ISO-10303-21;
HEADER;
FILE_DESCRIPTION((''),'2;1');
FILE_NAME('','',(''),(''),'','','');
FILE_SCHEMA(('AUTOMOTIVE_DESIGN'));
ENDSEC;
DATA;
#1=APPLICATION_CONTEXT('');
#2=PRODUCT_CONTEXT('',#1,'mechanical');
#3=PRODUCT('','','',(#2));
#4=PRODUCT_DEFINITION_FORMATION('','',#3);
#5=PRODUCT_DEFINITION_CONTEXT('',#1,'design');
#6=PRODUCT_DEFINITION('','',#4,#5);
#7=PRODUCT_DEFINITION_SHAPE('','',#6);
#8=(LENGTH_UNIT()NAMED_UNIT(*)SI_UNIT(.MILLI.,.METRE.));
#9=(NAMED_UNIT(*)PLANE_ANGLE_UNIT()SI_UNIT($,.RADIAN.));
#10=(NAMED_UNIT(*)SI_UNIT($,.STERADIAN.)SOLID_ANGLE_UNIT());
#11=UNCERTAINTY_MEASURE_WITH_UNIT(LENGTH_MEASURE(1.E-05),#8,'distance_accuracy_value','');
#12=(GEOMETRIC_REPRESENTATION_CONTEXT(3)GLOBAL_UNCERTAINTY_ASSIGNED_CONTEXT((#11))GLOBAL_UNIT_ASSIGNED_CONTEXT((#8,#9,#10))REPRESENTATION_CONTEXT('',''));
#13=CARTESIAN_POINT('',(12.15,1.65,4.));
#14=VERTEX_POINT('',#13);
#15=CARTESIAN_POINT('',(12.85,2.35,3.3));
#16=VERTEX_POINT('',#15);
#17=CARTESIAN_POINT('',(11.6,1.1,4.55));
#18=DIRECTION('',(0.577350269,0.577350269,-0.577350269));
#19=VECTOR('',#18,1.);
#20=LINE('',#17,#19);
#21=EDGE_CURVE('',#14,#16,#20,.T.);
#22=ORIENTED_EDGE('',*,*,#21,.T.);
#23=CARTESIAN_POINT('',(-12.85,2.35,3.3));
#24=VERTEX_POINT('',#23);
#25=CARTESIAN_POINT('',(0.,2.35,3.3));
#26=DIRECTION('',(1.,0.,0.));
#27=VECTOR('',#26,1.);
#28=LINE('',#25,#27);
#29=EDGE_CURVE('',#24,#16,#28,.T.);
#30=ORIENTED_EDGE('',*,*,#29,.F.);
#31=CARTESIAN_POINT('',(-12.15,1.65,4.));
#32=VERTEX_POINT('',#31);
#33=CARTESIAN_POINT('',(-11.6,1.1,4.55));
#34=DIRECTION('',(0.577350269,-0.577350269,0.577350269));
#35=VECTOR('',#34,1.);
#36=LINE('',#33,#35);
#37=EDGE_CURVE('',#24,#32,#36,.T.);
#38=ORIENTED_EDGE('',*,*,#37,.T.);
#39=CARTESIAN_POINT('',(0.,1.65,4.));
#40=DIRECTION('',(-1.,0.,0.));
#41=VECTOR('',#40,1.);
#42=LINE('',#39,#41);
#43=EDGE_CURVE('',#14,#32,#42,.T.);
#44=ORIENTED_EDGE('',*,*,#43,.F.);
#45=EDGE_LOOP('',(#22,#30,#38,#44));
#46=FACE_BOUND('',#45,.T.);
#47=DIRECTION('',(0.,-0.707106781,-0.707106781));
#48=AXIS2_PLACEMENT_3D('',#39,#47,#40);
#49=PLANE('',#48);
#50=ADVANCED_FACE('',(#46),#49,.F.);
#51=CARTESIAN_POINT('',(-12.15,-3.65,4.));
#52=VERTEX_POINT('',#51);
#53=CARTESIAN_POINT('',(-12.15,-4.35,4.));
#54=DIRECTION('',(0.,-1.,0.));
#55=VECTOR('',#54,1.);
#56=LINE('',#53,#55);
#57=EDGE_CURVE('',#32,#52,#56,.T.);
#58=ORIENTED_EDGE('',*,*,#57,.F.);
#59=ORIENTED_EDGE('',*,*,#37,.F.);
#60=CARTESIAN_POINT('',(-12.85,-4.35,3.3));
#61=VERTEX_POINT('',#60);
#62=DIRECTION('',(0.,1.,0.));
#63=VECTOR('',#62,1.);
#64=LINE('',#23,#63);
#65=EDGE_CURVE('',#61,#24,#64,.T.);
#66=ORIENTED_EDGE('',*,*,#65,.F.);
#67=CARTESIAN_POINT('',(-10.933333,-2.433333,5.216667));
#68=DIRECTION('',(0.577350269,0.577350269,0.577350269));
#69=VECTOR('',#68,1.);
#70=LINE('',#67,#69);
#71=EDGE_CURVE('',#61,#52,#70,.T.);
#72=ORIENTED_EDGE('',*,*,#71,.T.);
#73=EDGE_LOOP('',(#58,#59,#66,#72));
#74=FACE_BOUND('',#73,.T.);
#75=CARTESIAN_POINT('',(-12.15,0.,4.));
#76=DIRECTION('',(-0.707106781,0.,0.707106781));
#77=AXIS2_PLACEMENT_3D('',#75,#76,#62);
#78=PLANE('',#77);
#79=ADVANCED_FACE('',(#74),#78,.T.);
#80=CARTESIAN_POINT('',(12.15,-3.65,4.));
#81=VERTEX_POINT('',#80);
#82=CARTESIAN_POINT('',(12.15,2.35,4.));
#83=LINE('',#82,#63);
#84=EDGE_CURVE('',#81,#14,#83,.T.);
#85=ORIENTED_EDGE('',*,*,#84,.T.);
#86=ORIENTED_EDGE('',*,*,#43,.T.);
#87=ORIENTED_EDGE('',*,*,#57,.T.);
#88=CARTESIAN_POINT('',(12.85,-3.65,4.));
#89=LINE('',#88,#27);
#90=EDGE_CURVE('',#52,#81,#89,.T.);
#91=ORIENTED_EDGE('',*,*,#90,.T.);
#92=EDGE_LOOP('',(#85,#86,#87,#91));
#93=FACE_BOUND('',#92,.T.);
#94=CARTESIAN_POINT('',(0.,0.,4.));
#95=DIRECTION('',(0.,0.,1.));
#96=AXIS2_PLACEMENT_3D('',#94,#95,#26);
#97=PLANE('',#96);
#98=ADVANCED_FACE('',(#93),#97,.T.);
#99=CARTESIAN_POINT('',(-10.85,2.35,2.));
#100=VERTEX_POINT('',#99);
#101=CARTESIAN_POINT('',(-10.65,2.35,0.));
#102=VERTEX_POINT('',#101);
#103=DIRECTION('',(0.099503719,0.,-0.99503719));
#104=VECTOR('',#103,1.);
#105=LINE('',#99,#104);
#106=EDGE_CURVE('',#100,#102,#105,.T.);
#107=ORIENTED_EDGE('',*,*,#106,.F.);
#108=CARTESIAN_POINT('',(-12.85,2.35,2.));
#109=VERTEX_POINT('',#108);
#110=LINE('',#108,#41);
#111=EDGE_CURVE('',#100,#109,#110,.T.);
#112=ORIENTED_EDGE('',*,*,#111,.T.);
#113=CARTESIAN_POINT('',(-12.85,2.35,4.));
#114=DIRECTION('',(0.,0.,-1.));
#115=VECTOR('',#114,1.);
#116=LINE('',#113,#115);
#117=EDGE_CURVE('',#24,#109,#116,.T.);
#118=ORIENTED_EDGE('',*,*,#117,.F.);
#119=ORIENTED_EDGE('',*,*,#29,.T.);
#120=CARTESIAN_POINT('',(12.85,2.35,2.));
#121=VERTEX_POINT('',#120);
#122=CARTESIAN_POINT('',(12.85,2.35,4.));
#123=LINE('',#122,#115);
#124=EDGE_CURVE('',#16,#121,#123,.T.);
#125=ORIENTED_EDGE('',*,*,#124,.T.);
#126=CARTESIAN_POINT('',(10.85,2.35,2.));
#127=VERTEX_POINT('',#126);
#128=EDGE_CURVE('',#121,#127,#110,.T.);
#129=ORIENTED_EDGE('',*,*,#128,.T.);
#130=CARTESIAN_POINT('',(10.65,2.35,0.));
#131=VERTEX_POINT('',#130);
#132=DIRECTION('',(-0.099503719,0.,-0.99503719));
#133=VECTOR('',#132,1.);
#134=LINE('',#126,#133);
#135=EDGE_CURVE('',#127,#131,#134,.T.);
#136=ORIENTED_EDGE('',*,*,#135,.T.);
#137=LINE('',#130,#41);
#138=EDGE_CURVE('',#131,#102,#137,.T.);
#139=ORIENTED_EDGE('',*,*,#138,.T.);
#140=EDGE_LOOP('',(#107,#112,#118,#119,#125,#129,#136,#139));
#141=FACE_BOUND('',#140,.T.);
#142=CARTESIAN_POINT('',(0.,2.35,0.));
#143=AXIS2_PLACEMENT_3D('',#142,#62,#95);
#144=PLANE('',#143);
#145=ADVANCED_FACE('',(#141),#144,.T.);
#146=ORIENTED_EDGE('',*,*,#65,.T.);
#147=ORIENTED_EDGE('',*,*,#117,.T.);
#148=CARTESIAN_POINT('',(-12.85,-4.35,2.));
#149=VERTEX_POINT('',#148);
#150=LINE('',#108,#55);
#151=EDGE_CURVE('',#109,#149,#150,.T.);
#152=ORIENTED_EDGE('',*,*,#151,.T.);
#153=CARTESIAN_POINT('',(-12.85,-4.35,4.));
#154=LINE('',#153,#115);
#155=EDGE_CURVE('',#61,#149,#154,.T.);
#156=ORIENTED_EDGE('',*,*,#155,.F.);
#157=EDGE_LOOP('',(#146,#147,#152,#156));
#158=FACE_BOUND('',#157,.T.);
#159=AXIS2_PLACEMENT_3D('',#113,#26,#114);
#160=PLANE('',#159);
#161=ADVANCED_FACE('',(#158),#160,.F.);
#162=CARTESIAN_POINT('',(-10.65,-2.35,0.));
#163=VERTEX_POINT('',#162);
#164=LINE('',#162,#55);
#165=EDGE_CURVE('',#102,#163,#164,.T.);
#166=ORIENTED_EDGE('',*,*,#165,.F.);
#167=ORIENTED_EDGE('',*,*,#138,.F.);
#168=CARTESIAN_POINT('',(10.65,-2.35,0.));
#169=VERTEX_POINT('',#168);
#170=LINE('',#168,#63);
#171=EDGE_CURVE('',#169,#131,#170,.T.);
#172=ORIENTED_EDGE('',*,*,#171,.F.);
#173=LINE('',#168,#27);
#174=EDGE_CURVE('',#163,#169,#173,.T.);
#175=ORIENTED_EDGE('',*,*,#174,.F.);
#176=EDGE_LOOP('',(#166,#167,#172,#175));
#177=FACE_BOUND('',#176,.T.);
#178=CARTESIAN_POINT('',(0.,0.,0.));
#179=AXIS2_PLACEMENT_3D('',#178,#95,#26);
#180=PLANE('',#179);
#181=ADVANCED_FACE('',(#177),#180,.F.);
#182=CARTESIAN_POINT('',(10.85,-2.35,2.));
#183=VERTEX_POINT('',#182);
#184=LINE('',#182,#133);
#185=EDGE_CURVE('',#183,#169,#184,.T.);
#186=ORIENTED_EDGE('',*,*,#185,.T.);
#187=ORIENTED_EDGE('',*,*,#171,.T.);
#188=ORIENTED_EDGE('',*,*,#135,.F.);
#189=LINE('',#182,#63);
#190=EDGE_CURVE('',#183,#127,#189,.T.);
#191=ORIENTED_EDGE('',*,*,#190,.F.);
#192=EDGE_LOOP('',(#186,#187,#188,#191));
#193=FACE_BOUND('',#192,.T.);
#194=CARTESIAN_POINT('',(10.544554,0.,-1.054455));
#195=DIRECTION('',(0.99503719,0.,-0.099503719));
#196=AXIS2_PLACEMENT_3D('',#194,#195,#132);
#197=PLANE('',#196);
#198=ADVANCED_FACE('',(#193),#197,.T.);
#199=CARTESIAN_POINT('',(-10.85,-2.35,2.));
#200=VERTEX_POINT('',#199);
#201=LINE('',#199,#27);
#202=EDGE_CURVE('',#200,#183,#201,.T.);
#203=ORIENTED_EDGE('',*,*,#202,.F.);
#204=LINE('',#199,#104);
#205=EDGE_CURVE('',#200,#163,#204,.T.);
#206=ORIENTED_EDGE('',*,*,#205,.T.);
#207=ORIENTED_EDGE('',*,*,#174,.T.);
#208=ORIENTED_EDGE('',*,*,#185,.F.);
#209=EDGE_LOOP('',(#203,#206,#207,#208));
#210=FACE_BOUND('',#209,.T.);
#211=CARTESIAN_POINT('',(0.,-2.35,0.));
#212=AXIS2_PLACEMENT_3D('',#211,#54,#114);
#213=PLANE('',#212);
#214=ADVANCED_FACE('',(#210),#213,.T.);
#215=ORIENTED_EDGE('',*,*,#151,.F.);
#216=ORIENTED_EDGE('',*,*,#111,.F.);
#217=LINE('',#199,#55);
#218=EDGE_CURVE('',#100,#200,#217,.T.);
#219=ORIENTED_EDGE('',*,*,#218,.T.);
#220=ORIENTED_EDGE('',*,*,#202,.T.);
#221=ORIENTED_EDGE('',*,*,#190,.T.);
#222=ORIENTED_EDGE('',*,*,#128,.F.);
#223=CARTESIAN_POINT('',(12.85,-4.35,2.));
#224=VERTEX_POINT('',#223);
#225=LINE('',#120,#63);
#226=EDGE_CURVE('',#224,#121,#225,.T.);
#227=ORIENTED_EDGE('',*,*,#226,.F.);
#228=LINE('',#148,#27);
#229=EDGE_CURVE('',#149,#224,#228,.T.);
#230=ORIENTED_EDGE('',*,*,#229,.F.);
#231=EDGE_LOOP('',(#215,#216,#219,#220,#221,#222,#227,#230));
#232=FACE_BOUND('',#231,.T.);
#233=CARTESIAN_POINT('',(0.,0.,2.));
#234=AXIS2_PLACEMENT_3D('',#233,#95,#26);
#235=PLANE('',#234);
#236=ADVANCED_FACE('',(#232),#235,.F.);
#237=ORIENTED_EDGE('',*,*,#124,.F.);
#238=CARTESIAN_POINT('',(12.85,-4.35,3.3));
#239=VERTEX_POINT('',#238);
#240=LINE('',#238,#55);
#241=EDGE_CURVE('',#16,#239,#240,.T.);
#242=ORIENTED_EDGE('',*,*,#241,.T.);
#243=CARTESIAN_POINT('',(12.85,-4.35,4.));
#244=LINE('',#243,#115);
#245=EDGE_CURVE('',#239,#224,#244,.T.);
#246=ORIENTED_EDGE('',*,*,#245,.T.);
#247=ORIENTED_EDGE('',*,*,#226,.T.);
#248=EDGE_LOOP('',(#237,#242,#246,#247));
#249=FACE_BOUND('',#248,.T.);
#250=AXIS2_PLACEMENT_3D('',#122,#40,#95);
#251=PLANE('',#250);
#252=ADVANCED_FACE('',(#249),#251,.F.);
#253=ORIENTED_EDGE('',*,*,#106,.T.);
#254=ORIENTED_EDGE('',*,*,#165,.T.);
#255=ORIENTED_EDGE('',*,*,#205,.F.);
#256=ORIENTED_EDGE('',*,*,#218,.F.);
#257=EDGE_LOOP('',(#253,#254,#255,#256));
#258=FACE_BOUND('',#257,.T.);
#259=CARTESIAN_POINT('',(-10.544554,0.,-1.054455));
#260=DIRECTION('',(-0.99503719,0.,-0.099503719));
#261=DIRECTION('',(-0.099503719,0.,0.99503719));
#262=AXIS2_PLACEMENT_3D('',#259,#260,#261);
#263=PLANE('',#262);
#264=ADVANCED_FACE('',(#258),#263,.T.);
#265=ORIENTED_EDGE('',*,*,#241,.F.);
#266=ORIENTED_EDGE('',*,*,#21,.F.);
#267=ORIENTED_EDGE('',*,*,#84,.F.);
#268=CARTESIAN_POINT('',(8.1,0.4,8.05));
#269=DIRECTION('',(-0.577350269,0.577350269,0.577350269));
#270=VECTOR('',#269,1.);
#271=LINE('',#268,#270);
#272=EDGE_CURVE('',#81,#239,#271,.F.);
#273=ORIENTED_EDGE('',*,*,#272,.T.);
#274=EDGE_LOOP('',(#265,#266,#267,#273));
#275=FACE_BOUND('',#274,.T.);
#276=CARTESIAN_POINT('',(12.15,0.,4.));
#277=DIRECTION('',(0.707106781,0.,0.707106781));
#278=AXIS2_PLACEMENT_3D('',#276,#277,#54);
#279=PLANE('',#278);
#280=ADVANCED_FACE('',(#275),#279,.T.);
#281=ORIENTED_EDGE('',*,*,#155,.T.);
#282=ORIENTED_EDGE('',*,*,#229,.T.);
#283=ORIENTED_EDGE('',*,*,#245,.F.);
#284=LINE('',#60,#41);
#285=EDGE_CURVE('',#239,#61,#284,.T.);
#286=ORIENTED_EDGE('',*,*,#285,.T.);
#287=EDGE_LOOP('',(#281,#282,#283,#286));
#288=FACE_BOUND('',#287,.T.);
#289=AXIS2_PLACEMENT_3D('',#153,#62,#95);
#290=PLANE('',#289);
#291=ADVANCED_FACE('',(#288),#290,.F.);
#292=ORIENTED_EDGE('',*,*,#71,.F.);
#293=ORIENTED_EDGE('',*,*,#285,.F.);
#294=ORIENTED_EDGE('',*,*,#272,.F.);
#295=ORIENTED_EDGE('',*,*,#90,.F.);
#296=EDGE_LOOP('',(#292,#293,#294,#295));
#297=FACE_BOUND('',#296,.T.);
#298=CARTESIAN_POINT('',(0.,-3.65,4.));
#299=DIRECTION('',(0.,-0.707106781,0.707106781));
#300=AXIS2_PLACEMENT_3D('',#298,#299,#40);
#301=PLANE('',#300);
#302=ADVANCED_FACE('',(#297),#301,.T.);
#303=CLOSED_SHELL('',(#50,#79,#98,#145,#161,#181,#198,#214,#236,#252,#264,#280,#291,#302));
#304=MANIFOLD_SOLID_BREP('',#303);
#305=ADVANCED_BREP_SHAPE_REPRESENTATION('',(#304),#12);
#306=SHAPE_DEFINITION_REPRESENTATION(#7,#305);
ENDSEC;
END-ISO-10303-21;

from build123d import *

# Parameters (mm, degrees)
SKETCH2_W           = 21.7
SKETCH2_H           = 4.7
SKETCH1_W           = 21.3
SKETCH1_H           = 4.7
SKETCH3_W           = 25.7
SKETCH3_H           = 6.7
BOSS_EXTRUDE1_DEPTH = 2
CHAMFER1_SIZE       = 0.7


with BuildPart() as part:
    # Sketch2 → Loft1 section 0
    with BuildSketch(Plane.XY.offset(2)):
        Rectangle(SKETCH2_W, SKETCH2_H)
    # Sketch1 → Loft1 section 1
    with BuildSketch(Plane.XY):
        Rectangle(SKETCH1_W, SKETCH1_H)
    loft()

    # Sketch3 → Boss-Extrude1 (add)
    with BuildSketch(Plane.XY.offset(2)):
        with Locations((0, -1)):
            Rectangle(SKETCH3_W, SKETCH3_H)
    extrude(amount=BOSS_EXTRUDE1_DEPTH)

    # Chamfer1
    chamfer1_edges = [part.edges().sort_by_distance(p)[0] for p in [
        (-12.85, -1, 4),
        (0, -4.35, 4),
        (12.85, -1, 4),
        (0, 2.35, 4),
    ]]
    chamfer(chamfer1_edges, length=CHAMFER1_SIZE)


solid = part.part
